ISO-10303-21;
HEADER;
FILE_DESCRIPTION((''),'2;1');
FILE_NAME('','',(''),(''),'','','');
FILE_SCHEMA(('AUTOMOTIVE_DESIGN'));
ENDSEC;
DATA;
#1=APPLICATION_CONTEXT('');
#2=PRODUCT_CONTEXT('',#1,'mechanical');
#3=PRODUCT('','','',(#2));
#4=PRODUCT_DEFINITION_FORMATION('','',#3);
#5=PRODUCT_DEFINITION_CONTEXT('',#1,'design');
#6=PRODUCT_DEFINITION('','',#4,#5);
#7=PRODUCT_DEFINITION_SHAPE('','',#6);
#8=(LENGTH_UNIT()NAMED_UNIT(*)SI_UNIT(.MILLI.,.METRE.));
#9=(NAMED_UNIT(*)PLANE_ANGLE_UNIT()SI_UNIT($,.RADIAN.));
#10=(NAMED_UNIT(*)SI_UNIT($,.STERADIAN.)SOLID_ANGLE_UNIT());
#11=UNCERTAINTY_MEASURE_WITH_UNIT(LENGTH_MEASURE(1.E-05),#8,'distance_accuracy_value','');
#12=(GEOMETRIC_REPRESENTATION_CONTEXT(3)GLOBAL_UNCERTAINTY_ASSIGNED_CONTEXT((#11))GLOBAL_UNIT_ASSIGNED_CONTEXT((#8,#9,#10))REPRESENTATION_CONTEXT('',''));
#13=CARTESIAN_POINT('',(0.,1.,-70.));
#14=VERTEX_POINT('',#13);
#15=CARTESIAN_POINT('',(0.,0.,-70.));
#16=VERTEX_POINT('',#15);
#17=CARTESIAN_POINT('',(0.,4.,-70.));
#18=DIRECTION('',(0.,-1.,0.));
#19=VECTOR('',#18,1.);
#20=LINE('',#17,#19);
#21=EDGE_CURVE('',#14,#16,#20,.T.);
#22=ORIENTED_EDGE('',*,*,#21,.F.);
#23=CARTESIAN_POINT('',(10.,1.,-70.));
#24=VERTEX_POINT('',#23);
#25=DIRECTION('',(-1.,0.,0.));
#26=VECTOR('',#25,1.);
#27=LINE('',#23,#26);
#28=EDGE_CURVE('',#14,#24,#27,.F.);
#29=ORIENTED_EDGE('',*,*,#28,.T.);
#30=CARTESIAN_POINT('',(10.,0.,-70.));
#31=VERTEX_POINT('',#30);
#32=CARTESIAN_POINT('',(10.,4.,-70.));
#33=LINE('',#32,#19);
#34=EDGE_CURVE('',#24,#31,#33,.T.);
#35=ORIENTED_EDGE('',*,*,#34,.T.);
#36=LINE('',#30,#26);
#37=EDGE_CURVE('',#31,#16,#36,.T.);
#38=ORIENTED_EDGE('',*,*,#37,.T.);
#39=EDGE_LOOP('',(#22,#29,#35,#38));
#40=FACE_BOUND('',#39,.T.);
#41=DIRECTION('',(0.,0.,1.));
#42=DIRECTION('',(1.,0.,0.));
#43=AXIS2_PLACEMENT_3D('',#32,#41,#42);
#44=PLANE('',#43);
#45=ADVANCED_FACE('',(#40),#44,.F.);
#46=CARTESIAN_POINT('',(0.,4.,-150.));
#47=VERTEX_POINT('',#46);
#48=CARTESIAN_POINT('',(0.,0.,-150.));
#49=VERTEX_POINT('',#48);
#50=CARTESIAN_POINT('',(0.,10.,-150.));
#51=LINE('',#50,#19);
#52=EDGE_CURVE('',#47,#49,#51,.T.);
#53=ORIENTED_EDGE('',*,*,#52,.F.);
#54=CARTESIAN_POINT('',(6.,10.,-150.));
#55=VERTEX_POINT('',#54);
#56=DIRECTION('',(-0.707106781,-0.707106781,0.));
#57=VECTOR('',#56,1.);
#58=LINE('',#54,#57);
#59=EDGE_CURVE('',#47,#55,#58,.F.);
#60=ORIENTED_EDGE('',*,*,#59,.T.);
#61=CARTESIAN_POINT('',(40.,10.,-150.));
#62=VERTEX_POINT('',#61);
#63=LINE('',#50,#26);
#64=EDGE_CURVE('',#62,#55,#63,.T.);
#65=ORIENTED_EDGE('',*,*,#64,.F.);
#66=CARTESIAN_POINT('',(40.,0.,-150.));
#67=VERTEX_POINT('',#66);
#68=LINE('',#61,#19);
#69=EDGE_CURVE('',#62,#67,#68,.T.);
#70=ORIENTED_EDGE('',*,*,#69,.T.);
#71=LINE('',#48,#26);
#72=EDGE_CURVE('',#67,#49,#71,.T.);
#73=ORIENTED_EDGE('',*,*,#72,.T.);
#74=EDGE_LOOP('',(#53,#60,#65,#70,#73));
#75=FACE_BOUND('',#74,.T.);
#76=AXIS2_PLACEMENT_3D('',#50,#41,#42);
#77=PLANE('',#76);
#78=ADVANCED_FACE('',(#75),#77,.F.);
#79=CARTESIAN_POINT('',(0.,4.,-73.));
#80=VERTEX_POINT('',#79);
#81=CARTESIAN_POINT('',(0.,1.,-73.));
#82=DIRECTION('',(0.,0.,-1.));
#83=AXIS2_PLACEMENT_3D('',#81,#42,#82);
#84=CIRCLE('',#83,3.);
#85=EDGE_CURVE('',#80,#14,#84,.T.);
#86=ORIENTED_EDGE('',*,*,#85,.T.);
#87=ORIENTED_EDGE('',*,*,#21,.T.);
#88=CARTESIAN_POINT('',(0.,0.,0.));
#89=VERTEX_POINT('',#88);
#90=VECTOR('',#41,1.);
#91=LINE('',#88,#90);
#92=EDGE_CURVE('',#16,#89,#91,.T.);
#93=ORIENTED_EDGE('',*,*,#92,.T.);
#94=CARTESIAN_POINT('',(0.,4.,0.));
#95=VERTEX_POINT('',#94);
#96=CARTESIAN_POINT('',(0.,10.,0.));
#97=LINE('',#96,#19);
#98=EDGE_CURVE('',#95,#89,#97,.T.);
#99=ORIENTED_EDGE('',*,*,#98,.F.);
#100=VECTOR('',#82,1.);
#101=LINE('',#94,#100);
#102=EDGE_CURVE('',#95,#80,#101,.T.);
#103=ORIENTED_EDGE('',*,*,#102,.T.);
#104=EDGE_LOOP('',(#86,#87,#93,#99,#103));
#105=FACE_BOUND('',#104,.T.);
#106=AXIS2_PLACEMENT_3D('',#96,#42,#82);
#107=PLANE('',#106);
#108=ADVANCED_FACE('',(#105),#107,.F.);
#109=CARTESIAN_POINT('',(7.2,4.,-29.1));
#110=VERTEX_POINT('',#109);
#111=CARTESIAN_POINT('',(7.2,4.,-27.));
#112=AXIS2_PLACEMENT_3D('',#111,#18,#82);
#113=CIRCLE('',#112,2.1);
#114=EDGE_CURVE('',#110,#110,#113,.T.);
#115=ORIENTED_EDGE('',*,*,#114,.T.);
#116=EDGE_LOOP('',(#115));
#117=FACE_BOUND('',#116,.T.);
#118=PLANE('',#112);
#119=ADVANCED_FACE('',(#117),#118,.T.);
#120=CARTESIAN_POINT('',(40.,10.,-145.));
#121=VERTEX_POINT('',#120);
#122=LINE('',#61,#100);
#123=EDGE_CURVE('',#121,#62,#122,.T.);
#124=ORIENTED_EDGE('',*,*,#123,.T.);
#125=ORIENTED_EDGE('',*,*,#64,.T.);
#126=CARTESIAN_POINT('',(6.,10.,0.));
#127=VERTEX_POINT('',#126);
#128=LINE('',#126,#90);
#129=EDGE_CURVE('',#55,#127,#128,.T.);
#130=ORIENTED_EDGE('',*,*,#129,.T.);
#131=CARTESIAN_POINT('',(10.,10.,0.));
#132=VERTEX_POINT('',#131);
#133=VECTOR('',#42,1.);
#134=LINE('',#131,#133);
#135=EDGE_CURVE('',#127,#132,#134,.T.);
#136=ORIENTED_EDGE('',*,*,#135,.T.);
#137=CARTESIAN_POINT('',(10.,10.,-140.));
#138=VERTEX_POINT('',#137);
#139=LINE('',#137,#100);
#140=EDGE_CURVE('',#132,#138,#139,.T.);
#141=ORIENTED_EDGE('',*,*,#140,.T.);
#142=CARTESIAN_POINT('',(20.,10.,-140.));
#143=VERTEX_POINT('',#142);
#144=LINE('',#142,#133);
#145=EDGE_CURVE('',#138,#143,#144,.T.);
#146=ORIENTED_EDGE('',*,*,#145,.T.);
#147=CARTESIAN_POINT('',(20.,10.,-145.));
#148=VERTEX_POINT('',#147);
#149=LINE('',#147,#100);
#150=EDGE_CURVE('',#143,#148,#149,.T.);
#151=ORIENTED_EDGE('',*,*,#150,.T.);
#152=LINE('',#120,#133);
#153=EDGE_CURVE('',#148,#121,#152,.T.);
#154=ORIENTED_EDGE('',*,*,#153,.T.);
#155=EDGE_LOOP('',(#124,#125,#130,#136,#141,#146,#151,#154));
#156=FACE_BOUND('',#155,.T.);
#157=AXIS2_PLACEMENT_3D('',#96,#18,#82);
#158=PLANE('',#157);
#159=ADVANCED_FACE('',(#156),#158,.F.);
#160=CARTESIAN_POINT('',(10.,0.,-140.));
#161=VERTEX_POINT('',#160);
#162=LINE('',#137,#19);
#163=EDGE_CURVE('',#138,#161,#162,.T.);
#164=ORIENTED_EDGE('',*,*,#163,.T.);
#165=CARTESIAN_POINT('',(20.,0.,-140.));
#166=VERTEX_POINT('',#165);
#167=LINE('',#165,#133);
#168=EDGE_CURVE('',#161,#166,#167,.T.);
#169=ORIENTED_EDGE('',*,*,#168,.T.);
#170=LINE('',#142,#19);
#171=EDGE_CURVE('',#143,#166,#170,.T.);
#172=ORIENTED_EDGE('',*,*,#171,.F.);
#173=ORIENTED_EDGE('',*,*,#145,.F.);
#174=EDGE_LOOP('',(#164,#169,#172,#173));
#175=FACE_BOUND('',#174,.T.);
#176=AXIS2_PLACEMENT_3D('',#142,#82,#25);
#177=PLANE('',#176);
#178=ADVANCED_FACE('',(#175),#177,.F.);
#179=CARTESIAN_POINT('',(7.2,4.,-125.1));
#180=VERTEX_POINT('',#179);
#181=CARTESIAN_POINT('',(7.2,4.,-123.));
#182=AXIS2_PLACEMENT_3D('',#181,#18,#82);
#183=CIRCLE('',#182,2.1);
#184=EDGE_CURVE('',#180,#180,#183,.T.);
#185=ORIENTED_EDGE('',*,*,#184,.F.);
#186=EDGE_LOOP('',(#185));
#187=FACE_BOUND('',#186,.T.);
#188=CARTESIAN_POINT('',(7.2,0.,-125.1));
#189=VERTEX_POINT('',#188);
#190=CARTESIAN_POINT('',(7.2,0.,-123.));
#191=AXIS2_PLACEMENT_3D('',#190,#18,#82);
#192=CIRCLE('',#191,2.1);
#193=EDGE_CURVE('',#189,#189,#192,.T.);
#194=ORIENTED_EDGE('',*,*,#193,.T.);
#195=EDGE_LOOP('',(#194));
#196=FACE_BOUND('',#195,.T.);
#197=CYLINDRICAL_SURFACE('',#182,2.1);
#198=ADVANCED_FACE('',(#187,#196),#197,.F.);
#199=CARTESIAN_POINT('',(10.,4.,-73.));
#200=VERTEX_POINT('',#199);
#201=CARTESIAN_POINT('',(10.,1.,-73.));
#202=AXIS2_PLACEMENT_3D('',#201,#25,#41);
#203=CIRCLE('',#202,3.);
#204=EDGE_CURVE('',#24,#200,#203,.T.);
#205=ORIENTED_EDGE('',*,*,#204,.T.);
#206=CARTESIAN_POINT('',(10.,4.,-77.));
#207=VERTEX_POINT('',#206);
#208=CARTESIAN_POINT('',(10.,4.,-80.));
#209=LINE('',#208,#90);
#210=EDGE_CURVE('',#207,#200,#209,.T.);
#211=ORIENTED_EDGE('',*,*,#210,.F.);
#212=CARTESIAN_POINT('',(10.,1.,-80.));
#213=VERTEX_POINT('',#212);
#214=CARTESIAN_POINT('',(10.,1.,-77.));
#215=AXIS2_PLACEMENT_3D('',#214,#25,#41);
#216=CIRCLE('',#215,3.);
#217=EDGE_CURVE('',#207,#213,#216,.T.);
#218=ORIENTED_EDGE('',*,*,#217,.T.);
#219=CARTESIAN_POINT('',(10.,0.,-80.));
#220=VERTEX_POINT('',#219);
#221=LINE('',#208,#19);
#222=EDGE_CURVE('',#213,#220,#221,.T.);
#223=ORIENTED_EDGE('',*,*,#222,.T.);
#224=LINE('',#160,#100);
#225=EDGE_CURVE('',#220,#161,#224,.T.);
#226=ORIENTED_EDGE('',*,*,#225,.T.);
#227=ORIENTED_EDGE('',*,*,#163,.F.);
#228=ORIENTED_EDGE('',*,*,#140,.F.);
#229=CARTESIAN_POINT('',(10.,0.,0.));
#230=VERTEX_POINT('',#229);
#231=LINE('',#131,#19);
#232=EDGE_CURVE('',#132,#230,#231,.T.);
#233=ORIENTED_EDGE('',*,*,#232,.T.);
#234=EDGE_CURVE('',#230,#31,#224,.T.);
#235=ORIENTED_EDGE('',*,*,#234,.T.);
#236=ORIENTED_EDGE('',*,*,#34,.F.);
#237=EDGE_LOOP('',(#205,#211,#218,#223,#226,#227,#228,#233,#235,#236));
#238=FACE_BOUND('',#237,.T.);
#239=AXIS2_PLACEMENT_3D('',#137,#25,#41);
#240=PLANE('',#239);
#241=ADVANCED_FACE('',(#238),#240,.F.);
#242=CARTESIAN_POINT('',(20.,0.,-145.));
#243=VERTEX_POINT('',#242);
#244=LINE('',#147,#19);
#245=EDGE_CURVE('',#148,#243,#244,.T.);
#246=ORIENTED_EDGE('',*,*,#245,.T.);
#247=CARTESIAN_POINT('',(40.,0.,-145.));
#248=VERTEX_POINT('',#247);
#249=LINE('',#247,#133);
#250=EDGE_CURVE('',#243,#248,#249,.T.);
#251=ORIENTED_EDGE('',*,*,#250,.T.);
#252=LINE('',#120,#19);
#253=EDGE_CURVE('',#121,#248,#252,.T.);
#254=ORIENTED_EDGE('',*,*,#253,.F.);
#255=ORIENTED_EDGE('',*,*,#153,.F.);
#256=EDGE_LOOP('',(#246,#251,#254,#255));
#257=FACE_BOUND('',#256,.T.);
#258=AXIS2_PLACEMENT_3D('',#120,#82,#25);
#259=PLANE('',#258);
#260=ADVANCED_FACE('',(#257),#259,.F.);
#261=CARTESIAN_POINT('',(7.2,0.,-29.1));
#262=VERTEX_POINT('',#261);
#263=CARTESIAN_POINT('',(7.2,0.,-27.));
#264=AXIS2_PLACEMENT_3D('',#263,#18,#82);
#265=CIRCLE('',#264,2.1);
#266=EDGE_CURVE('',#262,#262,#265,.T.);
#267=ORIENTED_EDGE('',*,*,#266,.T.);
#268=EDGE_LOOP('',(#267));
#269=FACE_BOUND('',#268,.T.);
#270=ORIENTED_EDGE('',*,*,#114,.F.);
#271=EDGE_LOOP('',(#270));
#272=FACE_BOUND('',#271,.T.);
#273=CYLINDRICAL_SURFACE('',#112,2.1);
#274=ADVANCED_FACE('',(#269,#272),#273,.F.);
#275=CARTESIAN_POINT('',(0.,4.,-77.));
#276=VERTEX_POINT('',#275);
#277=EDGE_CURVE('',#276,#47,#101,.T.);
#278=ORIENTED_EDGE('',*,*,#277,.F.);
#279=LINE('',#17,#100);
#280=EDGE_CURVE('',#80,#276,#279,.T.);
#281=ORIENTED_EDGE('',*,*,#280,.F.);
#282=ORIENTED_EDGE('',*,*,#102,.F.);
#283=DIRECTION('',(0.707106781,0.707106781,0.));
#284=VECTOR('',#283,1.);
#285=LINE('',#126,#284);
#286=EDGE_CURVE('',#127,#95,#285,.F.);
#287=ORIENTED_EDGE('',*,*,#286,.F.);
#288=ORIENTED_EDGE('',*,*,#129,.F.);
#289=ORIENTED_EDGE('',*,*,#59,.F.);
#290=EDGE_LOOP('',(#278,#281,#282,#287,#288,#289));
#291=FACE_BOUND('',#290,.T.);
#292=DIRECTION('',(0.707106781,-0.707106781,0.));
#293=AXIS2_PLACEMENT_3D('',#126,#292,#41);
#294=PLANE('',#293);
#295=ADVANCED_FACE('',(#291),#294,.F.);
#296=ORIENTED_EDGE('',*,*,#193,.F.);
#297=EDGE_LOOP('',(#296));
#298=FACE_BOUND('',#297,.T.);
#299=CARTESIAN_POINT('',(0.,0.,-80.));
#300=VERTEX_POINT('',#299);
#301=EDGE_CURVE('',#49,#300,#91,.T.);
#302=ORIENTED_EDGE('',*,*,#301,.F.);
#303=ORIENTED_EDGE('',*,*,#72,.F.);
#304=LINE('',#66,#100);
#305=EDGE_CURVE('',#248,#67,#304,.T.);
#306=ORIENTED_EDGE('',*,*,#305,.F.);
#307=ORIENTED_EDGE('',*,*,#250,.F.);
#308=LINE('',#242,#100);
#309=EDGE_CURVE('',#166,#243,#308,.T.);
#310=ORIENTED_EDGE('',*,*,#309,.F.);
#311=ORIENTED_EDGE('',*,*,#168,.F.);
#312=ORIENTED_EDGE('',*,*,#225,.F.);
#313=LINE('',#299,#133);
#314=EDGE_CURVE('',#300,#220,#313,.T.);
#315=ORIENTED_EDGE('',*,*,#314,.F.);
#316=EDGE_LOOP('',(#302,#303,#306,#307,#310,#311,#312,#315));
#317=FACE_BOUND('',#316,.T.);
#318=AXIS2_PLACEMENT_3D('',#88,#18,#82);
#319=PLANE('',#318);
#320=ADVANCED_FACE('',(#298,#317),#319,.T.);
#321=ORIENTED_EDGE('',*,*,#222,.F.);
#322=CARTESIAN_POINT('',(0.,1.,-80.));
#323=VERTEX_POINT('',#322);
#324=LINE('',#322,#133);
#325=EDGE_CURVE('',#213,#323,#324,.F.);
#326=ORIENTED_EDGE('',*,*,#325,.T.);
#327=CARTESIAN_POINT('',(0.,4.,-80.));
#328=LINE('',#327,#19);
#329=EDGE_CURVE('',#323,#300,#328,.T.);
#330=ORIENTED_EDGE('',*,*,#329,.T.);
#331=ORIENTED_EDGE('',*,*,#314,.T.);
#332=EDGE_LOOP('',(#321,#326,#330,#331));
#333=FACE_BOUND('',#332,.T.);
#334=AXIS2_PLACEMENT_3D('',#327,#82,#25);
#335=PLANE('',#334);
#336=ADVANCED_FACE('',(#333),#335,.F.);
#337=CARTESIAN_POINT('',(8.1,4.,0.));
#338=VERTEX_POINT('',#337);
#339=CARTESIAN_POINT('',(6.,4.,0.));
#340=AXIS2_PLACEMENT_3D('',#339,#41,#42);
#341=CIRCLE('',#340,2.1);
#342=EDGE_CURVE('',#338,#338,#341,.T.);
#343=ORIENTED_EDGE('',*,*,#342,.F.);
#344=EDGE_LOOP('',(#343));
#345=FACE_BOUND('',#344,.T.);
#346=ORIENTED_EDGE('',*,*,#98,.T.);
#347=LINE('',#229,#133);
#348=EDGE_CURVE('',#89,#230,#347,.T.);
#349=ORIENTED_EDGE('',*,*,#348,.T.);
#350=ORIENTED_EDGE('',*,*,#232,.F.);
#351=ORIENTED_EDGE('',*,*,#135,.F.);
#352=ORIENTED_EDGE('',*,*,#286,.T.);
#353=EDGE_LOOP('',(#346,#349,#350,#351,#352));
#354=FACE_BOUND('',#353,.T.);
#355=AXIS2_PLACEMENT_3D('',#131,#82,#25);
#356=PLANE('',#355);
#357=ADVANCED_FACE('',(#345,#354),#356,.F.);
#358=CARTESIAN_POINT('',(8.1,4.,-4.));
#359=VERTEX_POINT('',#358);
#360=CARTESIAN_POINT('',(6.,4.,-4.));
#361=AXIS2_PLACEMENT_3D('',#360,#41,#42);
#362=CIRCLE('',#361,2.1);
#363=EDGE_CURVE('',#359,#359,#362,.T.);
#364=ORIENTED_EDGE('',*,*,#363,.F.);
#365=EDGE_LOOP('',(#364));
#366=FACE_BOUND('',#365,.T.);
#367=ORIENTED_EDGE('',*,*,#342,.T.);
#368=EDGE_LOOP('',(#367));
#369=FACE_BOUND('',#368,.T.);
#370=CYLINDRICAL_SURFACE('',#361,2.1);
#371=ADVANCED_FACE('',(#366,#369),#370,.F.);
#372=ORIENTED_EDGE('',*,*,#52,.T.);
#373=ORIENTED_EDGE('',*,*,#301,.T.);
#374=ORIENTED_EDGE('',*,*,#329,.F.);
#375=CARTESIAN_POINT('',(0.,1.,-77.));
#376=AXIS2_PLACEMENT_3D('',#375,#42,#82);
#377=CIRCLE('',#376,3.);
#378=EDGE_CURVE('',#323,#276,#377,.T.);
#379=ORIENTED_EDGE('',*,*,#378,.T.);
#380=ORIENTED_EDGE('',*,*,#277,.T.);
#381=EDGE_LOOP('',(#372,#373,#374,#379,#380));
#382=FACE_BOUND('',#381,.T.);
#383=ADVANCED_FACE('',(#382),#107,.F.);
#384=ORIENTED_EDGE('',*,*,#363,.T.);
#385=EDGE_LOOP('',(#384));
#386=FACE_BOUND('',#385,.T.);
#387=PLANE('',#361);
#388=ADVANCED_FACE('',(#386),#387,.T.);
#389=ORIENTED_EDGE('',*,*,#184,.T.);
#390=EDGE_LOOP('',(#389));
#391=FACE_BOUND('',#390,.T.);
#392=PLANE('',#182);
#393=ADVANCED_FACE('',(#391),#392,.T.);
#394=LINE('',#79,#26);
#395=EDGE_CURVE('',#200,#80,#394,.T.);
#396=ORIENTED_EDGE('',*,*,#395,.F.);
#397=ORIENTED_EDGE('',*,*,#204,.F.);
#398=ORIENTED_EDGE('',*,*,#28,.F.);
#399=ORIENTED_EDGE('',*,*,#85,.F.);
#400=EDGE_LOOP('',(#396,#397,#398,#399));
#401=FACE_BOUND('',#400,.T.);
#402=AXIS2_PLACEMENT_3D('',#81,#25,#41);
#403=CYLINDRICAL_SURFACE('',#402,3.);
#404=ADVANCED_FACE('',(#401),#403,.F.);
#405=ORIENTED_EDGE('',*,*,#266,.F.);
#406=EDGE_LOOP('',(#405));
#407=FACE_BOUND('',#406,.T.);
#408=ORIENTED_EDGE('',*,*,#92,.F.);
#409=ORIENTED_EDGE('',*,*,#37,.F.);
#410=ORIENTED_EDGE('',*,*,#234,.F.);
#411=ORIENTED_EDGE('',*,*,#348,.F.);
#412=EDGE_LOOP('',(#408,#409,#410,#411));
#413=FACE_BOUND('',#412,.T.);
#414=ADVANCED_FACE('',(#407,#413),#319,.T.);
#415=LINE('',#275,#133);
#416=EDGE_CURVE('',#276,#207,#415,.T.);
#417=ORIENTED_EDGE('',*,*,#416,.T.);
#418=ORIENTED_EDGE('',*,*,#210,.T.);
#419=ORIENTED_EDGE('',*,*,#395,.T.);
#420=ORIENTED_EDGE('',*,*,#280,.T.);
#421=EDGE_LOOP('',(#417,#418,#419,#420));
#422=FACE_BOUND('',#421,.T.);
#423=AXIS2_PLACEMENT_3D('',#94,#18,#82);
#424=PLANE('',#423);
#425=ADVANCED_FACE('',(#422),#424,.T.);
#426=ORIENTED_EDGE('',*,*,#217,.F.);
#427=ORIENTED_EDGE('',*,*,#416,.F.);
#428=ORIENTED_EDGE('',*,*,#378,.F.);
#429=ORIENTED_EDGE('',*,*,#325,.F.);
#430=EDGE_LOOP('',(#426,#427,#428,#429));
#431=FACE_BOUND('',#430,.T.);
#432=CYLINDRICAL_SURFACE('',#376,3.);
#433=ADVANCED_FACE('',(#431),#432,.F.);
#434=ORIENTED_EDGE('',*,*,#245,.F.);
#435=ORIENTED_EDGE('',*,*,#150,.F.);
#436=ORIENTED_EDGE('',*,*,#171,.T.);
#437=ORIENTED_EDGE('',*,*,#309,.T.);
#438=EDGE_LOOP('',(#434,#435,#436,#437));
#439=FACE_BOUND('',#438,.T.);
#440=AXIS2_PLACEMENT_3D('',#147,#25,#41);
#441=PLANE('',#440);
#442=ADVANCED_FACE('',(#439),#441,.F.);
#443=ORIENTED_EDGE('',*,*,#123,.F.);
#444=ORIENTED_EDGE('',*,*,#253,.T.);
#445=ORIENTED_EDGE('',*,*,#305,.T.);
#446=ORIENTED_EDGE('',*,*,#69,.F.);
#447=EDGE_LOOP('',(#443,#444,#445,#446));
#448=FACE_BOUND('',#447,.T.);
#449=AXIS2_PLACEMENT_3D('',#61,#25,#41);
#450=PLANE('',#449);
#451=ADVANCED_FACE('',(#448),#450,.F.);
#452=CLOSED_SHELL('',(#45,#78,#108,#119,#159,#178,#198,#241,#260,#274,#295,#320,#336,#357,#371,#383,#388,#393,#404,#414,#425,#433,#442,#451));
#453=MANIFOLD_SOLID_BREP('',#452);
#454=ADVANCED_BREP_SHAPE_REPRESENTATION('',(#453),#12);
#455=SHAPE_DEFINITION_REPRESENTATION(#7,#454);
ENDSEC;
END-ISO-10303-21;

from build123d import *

# Parameters (mm, degrees)
DODANIE_WYCI_GNI_CIE1_DEPTH = 10
SZKIC2_R                    = 2.1
WYTNIJ_WYCI_GNI_CIE1_DEPTH  = 4
SZKIC3_R                    = 2.1
WYTNIJ_WYCI_GNI_CIE2_DEPTH  = 4
SFAZOWANIE1_SIZE            = 6
SZKIC4_W                    = 10
SZKIC4_H                    = 10
WYTNIJ_WYCI_GNI_CIE3_DEPTH  = 4
ZAOKR_GLENIE1_R             = 3


with BuildPart() as part:
    # Szkic1 → Dodanie-wyciągnięcie1 (new body)
    with BuildSketch(Plane(origin=(0, 0, 0), x_dir=(1, 0, 0), z_dir=(0, 1, 0))):
        Polygon((0, 0), (0, 150), (40, 150), (40, 145), (20, 145), (20, 140), (10, 140), (10, 0), align=None)
    extrude(amount=DODANIE_WYCI_GNI_CIE1_DEPTH)

    # Szkic2 → Wytnij-wyciągnięcie1 (cut)
    with BuildSketch(Plane.XZ):
        with Locations(Location((7.2, -27, 0), (0, 0, 270))):
            Circle(SZKIC2_R)
        with Locations(Location((7.2, -123, 0), (0, 0, 270))):
            Circle(SZKIC2_R)
    extrude(amount=-WYTNIJ_WYCI_GNI_CIE1_DEPTH, mode=Mode.SUBTRACT)

    # Szkic3 → Wytnij-wyciągnięcie2 (cut)
    with BuildSketch(Plane.XY):
        with Locations((6, 4)):
            Circle(SZKIC3_R)
    extrude(amount=-WYTNIJ_WYCI_GNI_CIE2_DEPTH, mode=Mode.SUBTRACT)

    # Sfazowanie1
    sfazowanie1_edges = [part.edges().sort_by_distance(p)[0] for p in [
        (0, 10, -75),
    ]]
    chamfer(sfazowanie1_edges, length=SFAZOWANIE1_SIZE)

    # Szkic4 → Wytnij-wyciągnięcie3 (cut)
    with BuildSketch(Plane.XZ):
        with Locations((5, -75)):
            Rectangle(SZKIC4_W, SZKIC4_H)
    extrude(amount=-WYTNIJ_WYCI_GNI_CIE3_DEPTH, mode=Mode.SUBTRACT)

    # Zaokrąglenie1
    zaokr_glenie1_edges = [part.edges().sort_by_distance(p)[0] for p in [
        (5, 4, -70),
        (5, 4, -80),
    ]]
    fillet(zaokr_glenie1_edges, radius=ZAOKR_GLENIE1_R)


solid = part.part
